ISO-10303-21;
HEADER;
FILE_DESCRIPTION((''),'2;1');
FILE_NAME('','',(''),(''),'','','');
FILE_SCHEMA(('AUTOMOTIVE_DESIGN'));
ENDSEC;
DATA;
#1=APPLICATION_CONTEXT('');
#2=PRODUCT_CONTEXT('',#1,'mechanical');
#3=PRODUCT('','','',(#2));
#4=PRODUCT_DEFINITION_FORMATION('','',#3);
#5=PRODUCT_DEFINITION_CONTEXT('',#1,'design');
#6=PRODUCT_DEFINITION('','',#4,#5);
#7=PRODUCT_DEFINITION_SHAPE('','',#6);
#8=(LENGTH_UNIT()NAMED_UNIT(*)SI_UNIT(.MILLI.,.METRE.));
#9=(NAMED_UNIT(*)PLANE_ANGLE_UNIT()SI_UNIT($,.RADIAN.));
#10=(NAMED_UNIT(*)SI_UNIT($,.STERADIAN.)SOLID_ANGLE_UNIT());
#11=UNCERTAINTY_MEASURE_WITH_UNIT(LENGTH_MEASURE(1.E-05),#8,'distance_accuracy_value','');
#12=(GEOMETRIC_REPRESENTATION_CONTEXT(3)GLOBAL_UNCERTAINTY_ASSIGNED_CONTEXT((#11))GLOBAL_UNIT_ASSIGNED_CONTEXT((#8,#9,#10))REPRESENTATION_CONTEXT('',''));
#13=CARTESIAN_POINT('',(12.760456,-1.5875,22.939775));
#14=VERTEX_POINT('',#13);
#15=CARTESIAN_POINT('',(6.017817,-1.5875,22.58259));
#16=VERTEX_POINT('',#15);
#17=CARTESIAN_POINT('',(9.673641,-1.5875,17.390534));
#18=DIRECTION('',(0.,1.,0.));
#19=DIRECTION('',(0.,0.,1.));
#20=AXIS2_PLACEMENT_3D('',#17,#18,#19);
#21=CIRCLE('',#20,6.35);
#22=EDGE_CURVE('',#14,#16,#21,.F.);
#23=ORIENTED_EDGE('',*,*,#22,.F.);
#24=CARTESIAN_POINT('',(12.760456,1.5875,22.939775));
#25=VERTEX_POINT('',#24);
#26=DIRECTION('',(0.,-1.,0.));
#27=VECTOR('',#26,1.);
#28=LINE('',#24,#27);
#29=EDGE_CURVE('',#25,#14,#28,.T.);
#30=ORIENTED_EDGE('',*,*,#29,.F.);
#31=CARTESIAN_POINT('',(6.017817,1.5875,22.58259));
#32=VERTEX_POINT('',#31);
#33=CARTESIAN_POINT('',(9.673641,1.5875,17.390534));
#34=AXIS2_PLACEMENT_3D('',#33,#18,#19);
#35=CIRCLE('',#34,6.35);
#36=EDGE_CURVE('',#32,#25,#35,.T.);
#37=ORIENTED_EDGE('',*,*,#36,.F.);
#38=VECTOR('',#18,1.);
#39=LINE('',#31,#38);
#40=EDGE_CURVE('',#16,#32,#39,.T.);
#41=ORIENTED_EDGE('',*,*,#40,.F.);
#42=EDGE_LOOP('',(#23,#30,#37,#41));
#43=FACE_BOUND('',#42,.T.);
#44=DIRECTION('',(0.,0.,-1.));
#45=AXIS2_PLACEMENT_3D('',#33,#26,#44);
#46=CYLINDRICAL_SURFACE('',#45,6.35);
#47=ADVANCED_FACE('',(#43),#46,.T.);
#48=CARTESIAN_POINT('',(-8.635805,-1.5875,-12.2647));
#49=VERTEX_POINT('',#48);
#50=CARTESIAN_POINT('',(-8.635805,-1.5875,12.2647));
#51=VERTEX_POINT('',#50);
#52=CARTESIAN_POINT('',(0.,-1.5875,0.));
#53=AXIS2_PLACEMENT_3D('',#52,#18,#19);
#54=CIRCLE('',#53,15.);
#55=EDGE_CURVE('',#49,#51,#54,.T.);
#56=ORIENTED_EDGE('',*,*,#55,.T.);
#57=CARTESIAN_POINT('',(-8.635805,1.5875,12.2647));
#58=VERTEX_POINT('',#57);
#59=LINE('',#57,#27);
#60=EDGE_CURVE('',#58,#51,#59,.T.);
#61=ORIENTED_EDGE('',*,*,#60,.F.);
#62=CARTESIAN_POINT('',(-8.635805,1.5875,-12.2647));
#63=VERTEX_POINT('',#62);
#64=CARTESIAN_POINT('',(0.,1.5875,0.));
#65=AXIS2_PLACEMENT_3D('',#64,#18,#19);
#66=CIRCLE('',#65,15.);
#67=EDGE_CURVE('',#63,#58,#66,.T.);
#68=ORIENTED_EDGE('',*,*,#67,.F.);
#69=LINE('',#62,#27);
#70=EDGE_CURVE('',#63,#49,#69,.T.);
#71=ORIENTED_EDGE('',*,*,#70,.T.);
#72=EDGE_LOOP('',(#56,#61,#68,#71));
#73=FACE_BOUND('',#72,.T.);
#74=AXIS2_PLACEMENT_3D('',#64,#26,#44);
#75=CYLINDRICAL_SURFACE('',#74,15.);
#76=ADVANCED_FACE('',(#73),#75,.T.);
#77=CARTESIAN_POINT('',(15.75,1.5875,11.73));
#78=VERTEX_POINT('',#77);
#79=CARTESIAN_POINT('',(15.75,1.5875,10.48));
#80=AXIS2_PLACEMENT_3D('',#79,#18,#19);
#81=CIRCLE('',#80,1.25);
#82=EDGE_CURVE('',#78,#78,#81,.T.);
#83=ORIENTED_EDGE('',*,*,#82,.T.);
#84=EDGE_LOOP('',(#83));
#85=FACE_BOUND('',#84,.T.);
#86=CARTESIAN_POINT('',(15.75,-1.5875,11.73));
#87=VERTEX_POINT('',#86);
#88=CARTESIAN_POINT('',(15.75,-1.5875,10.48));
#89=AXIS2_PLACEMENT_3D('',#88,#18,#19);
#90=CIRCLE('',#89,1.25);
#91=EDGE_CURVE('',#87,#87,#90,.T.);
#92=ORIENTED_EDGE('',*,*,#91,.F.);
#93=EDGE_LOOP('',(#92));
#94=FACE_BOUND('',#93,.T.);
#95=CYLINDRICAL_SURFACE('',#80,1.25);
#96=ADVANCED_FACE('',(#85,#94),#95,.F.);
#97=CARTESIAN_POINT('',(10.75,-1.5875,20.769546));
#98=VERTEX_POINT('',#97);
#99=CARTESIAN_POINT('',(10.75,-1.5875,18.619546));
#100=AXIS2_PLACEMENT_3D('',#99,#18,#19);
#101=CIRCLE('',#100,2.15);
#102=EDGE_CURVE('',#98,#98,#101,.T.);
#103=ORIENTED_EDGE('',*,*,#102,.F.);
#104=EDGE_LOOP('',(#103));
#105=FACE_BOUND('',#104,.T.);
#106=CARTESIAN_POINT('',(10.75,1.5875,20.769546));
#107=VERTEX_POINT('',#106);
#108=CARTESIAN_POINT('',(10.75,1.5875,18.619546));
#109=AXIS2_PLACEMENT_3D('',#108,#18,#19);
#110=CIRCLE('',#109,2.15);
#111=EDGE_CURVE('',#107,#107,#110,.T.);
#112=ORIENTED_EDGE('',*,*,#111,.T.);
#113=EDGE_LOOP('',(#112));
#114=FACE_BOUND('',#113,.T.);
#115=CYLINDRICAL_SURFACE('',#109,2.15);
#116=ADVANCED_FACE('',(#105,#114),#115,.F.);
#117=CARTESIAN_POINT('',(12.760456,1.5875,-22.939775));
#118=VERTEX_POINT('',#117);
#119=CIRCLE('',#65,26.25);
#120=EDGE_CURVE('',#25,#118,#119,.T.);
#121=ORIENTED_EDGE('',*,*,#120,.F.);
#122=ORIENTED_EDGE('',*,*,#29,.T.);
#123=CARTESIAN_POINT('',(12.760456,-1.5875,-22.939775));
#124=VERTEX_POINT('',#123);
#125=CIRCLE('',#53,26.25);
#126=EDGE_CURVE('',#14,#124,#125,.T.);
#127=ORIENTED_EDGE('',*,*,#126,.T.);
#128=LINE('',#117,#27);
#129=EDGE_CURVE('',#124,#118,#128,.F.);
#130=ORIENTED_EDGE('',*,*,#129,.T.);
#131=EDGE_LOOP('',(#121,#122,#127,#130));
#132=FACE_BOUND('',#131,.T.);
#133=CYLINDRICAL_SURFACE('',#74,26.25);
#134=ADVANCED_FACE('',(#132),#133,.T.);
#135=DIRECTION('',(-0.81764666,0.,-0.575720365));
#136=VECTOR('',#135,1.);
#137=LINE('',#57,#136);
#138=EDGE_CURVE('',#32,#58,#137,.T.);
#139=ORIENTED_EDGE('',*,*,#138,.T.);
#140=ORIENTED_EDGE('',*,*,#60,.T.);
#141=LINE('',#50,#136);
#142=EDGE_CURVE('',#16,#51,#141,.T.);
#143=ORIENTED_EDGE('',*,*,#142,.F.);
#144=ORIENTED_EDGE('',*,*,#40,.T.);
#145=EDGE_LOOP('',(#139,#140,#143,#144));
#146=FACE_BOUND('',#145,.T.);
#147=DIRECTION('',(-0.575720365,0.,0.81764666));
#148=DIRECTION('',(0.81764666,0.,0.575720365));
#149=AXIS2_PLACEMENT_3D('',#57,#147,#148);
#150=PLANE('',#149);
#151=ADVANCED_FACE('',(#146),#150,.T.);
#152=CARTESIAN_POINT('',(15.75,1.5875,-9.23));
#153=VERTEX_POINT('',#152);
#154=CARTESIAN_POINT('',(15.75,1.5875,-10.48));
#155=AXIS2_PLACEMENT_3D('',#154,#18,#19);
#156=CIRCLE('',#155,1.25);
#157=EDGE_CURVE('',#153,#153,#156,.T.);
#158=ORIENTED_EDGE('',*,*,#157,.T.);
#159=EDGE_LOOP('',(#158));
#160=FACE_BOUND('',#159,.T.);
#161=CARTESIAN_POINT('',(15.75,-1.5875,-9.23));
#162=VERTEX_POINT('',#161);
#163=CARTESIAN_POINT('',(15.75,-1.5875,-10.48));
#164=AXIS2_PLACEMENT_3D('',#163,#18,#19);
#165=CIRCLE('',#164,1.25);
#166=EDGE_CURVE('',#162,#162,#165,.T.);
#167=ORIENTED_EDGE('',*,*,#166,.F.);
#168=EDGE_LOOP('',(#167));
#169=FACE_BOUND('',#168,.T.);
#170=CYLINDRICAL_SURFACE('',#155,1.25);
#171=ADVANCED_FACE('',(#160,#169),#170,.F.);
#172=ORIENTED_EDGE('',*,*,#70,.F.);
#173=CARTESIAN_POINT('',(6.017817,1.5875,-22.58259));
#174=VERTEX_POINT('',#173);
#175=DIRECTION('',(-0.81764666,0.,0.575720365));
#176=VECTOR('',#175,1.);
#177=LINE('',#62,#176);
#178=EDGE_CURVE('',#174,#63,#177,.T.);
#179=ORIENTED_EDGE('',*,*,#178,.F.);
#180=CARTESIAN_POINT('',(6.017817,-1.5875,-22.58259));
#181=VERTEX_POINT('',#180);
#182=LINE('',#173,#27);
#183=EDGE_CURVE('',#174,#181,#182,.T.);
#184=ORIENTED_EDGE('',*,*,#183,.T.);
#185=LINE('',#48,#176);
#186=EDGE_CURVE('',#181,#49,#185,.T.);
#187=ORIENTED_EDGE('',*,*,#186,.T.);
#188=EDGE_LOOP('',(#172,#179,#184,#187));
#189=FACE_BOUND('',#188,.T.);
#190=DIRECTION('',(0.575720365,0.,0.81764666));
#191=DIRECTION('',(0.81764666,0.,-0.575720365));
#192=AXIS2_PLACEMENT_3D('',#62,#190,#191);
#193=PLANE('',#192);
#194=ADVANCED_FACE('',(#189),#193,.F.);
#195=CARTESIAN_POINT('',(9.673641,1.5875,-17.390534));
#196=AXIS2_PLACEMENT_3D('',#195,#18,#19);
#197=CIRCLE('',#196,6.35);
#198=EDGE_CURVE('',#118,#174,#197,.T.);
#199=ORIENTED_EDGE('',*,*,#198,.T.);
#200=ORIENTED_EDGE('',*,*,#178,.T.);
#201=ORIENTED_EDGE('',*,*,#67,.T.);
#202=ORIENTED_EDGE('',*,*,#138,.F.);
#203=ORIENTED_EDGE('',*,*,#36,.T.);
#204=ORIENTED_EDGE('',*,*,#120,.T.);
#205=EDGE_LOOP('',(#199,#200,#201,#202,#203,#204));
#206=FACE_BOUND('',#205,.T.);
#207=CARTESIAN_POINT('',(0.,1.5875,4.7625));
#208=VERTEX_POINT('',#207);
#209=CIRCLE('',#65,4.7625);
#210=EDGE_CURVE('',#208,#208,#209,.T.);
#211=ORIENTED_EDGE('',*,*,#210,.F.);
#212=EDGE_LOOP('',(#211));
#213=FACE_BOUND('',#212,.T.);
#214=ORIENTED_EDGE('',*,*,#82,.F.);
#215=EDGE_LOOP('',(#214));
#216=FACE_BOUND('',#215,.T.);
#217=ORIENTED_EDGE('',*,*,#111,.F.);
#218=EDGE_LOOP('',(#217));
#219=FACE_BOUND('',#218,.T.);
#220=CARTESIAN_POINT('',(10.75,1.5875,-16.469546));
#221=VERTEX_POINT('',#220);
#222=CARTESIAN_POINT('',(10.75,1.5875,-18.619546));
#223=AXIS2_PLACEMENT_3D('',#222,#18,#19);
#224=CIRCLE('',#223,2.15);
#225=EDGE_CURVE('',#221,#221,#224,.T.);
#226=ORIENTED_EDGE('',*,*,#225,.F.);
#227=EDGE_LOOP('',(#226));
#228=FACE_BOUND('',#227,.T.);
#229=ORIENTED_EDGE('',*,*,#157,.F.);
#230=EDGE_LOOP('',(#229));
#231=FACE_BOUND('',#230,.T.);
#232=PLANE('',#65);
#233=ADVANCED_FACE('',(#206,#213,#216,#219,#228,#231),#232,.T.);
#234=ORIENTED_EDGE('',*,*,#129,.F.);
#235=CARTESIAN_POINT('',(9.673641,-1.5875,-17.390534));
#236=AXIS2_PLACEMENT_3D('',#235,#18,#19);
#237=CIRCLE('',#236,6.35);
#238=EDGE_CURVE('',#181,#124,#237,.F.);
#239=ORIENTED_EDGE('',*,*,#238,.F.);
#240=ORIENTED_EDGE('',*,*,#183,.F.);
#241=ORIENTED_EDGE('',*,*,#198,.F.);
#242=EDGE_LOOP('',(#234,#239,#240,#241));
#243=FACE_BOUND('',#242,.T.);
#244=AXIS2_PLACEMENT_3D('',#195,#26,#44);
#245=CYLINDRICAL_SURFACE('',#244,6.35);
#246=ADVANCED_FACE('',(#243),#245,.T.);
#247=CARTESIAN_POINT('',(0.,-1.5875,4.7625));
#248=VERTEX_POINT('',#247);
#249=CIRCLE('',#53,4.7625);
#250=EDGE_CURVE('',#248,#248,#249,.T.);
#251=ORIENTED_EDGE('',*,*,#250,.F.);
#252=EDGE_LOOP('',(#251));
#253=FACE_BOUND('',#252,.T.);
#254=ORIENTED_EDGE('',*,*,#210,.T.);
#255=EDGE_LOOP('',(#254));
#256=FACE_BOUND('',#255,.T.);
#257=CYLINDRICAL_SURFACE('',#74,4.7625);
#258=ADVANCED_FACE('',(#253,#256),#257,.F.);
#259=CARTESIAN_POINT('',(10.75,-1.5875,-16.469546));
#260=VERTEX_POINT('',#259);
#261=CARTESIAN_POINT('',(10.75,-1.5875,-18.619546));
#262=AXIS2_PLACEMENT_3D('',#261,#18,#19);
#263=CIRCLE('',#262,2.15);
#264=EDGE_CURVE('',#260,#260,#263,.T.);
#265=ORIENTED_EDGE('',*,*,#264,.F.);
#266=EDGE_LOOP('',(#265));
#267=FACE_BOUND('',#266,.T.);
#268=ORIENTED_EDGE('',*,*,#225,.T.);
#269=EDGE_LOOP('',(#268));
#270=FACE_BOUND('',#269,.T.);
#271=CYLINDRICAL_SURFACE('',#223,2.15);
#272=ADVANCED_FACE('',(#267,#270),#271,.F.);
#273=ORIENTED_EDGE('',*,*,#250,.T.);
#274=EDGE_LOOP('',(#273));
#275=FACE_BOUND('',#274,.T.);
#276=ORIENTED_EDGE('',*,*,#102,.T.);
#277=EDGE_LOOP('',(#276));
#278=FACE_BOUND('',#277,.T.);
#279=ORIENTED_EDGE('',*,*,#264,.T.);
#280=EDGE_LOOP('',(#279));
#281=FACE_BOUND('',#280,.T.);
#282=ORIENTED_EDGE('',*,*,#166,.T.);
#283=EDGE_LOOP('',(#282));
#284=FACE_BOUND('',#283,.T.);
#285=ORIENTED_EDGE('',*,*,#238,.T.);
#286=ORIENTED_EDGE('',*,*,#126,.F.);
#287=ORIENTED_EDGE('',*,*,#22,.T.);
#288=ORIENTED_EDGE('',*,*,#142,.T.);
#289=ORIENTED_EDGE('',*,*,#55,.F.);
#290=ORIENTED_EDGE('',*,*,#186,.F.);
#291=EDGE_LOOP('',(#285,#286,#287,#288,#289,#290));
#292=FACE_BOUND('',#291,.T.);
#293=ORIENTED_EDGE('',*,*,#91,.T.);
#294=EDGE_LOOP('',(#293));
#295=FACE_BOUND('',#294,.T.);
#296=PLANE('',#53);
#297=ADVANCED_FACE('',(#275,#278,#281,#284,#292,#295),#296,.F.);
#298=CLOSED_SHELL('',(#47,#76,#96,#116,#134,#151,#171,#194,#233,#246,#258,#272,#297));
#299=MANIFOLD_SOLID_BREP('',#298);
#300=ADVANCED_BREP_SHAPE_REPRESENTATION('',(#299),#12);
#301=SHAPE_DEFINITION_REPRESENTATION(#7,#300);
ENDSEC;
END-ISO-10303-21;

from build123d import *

# Parameters (mm, degrees)
SKETCH1_R                 = 4.7625
BOSS_EXTRUDE1_DEPTH       = 1.5875
M4_CLEARANCE_HOLE1_D      = 4.3
M3X0_5_TAPPED_HOLE1_D     = 2.5
M3X0_5_TAPPED_HOLE1_DEPTH = 3.175
FILLET1_R                 = 6.35


with BuildPart() as part:
    # Sketch1 → Boss-Extrude1 (new, symmetric)
    with BuildSketch(Plane(origin=(0, 0, 0), x_dir=(1, 0, 0), z_dir=(0, 1, 0))):
        with BuildLine():
            Line((-8.635805476, -12.264699906), (8.978028762, -24.666931296))
            ThreePointArc((8.978028762, -24.666931296), (26.25, 0), (8.978028762, 24.666931296))
            Line((8.978028762, 24.666931296), (-8.635805476, 12.264699906))
            ThreePointArc((-8.635805476, 12.264699906), (-15, 0), (-8.635805476, -12.264699906))
        make_face()
        with Locations(Location((0, 0, 0), (0, 0, 270))):
            Circle(SKETCH1_R, mode=Mode.SUBTRACT)
    extrude(amount=BOSS_EXTRUDE1_DEPTH, both=True)

    # M4 Clearance Hole1 (through all)
    with Locations(Plane(origin=(0, 1.5875, 0), x_dir=(1, 0, 0), z_dir=(0, 1, 0))):
        with Locations((10.75, -18.619546181), (10.75, 18.619546181)):
            Hole(M4_CLEARANCE_HOLE1_D / 2)

    # M3x0.5 Tapped Hole1
    with Locations(Plane(origin=(0, 1.5875, 0), x_dir=(1, 0, 0), z_dir=(0, 1, 0))):
        with Locations((0, 0), (15.75, -10.48), (15.75, 10.48)):
            Hole(M3X0_5_TAPPED_HOLE1_D / 2, depth=M3X0_5_TAPPED_HOLE1_DEPTH)

    # Fillet1
    fillet1_edges = [part.edges().sort_by_distance(p)[0] for p in [
        (8.978028762, 0, -24.666931296),
        (8.978028762, 0, 24.666931296),
    ]]
    fillet(fillet1_edges, radius=FILLET1_R)


solid = part.part
